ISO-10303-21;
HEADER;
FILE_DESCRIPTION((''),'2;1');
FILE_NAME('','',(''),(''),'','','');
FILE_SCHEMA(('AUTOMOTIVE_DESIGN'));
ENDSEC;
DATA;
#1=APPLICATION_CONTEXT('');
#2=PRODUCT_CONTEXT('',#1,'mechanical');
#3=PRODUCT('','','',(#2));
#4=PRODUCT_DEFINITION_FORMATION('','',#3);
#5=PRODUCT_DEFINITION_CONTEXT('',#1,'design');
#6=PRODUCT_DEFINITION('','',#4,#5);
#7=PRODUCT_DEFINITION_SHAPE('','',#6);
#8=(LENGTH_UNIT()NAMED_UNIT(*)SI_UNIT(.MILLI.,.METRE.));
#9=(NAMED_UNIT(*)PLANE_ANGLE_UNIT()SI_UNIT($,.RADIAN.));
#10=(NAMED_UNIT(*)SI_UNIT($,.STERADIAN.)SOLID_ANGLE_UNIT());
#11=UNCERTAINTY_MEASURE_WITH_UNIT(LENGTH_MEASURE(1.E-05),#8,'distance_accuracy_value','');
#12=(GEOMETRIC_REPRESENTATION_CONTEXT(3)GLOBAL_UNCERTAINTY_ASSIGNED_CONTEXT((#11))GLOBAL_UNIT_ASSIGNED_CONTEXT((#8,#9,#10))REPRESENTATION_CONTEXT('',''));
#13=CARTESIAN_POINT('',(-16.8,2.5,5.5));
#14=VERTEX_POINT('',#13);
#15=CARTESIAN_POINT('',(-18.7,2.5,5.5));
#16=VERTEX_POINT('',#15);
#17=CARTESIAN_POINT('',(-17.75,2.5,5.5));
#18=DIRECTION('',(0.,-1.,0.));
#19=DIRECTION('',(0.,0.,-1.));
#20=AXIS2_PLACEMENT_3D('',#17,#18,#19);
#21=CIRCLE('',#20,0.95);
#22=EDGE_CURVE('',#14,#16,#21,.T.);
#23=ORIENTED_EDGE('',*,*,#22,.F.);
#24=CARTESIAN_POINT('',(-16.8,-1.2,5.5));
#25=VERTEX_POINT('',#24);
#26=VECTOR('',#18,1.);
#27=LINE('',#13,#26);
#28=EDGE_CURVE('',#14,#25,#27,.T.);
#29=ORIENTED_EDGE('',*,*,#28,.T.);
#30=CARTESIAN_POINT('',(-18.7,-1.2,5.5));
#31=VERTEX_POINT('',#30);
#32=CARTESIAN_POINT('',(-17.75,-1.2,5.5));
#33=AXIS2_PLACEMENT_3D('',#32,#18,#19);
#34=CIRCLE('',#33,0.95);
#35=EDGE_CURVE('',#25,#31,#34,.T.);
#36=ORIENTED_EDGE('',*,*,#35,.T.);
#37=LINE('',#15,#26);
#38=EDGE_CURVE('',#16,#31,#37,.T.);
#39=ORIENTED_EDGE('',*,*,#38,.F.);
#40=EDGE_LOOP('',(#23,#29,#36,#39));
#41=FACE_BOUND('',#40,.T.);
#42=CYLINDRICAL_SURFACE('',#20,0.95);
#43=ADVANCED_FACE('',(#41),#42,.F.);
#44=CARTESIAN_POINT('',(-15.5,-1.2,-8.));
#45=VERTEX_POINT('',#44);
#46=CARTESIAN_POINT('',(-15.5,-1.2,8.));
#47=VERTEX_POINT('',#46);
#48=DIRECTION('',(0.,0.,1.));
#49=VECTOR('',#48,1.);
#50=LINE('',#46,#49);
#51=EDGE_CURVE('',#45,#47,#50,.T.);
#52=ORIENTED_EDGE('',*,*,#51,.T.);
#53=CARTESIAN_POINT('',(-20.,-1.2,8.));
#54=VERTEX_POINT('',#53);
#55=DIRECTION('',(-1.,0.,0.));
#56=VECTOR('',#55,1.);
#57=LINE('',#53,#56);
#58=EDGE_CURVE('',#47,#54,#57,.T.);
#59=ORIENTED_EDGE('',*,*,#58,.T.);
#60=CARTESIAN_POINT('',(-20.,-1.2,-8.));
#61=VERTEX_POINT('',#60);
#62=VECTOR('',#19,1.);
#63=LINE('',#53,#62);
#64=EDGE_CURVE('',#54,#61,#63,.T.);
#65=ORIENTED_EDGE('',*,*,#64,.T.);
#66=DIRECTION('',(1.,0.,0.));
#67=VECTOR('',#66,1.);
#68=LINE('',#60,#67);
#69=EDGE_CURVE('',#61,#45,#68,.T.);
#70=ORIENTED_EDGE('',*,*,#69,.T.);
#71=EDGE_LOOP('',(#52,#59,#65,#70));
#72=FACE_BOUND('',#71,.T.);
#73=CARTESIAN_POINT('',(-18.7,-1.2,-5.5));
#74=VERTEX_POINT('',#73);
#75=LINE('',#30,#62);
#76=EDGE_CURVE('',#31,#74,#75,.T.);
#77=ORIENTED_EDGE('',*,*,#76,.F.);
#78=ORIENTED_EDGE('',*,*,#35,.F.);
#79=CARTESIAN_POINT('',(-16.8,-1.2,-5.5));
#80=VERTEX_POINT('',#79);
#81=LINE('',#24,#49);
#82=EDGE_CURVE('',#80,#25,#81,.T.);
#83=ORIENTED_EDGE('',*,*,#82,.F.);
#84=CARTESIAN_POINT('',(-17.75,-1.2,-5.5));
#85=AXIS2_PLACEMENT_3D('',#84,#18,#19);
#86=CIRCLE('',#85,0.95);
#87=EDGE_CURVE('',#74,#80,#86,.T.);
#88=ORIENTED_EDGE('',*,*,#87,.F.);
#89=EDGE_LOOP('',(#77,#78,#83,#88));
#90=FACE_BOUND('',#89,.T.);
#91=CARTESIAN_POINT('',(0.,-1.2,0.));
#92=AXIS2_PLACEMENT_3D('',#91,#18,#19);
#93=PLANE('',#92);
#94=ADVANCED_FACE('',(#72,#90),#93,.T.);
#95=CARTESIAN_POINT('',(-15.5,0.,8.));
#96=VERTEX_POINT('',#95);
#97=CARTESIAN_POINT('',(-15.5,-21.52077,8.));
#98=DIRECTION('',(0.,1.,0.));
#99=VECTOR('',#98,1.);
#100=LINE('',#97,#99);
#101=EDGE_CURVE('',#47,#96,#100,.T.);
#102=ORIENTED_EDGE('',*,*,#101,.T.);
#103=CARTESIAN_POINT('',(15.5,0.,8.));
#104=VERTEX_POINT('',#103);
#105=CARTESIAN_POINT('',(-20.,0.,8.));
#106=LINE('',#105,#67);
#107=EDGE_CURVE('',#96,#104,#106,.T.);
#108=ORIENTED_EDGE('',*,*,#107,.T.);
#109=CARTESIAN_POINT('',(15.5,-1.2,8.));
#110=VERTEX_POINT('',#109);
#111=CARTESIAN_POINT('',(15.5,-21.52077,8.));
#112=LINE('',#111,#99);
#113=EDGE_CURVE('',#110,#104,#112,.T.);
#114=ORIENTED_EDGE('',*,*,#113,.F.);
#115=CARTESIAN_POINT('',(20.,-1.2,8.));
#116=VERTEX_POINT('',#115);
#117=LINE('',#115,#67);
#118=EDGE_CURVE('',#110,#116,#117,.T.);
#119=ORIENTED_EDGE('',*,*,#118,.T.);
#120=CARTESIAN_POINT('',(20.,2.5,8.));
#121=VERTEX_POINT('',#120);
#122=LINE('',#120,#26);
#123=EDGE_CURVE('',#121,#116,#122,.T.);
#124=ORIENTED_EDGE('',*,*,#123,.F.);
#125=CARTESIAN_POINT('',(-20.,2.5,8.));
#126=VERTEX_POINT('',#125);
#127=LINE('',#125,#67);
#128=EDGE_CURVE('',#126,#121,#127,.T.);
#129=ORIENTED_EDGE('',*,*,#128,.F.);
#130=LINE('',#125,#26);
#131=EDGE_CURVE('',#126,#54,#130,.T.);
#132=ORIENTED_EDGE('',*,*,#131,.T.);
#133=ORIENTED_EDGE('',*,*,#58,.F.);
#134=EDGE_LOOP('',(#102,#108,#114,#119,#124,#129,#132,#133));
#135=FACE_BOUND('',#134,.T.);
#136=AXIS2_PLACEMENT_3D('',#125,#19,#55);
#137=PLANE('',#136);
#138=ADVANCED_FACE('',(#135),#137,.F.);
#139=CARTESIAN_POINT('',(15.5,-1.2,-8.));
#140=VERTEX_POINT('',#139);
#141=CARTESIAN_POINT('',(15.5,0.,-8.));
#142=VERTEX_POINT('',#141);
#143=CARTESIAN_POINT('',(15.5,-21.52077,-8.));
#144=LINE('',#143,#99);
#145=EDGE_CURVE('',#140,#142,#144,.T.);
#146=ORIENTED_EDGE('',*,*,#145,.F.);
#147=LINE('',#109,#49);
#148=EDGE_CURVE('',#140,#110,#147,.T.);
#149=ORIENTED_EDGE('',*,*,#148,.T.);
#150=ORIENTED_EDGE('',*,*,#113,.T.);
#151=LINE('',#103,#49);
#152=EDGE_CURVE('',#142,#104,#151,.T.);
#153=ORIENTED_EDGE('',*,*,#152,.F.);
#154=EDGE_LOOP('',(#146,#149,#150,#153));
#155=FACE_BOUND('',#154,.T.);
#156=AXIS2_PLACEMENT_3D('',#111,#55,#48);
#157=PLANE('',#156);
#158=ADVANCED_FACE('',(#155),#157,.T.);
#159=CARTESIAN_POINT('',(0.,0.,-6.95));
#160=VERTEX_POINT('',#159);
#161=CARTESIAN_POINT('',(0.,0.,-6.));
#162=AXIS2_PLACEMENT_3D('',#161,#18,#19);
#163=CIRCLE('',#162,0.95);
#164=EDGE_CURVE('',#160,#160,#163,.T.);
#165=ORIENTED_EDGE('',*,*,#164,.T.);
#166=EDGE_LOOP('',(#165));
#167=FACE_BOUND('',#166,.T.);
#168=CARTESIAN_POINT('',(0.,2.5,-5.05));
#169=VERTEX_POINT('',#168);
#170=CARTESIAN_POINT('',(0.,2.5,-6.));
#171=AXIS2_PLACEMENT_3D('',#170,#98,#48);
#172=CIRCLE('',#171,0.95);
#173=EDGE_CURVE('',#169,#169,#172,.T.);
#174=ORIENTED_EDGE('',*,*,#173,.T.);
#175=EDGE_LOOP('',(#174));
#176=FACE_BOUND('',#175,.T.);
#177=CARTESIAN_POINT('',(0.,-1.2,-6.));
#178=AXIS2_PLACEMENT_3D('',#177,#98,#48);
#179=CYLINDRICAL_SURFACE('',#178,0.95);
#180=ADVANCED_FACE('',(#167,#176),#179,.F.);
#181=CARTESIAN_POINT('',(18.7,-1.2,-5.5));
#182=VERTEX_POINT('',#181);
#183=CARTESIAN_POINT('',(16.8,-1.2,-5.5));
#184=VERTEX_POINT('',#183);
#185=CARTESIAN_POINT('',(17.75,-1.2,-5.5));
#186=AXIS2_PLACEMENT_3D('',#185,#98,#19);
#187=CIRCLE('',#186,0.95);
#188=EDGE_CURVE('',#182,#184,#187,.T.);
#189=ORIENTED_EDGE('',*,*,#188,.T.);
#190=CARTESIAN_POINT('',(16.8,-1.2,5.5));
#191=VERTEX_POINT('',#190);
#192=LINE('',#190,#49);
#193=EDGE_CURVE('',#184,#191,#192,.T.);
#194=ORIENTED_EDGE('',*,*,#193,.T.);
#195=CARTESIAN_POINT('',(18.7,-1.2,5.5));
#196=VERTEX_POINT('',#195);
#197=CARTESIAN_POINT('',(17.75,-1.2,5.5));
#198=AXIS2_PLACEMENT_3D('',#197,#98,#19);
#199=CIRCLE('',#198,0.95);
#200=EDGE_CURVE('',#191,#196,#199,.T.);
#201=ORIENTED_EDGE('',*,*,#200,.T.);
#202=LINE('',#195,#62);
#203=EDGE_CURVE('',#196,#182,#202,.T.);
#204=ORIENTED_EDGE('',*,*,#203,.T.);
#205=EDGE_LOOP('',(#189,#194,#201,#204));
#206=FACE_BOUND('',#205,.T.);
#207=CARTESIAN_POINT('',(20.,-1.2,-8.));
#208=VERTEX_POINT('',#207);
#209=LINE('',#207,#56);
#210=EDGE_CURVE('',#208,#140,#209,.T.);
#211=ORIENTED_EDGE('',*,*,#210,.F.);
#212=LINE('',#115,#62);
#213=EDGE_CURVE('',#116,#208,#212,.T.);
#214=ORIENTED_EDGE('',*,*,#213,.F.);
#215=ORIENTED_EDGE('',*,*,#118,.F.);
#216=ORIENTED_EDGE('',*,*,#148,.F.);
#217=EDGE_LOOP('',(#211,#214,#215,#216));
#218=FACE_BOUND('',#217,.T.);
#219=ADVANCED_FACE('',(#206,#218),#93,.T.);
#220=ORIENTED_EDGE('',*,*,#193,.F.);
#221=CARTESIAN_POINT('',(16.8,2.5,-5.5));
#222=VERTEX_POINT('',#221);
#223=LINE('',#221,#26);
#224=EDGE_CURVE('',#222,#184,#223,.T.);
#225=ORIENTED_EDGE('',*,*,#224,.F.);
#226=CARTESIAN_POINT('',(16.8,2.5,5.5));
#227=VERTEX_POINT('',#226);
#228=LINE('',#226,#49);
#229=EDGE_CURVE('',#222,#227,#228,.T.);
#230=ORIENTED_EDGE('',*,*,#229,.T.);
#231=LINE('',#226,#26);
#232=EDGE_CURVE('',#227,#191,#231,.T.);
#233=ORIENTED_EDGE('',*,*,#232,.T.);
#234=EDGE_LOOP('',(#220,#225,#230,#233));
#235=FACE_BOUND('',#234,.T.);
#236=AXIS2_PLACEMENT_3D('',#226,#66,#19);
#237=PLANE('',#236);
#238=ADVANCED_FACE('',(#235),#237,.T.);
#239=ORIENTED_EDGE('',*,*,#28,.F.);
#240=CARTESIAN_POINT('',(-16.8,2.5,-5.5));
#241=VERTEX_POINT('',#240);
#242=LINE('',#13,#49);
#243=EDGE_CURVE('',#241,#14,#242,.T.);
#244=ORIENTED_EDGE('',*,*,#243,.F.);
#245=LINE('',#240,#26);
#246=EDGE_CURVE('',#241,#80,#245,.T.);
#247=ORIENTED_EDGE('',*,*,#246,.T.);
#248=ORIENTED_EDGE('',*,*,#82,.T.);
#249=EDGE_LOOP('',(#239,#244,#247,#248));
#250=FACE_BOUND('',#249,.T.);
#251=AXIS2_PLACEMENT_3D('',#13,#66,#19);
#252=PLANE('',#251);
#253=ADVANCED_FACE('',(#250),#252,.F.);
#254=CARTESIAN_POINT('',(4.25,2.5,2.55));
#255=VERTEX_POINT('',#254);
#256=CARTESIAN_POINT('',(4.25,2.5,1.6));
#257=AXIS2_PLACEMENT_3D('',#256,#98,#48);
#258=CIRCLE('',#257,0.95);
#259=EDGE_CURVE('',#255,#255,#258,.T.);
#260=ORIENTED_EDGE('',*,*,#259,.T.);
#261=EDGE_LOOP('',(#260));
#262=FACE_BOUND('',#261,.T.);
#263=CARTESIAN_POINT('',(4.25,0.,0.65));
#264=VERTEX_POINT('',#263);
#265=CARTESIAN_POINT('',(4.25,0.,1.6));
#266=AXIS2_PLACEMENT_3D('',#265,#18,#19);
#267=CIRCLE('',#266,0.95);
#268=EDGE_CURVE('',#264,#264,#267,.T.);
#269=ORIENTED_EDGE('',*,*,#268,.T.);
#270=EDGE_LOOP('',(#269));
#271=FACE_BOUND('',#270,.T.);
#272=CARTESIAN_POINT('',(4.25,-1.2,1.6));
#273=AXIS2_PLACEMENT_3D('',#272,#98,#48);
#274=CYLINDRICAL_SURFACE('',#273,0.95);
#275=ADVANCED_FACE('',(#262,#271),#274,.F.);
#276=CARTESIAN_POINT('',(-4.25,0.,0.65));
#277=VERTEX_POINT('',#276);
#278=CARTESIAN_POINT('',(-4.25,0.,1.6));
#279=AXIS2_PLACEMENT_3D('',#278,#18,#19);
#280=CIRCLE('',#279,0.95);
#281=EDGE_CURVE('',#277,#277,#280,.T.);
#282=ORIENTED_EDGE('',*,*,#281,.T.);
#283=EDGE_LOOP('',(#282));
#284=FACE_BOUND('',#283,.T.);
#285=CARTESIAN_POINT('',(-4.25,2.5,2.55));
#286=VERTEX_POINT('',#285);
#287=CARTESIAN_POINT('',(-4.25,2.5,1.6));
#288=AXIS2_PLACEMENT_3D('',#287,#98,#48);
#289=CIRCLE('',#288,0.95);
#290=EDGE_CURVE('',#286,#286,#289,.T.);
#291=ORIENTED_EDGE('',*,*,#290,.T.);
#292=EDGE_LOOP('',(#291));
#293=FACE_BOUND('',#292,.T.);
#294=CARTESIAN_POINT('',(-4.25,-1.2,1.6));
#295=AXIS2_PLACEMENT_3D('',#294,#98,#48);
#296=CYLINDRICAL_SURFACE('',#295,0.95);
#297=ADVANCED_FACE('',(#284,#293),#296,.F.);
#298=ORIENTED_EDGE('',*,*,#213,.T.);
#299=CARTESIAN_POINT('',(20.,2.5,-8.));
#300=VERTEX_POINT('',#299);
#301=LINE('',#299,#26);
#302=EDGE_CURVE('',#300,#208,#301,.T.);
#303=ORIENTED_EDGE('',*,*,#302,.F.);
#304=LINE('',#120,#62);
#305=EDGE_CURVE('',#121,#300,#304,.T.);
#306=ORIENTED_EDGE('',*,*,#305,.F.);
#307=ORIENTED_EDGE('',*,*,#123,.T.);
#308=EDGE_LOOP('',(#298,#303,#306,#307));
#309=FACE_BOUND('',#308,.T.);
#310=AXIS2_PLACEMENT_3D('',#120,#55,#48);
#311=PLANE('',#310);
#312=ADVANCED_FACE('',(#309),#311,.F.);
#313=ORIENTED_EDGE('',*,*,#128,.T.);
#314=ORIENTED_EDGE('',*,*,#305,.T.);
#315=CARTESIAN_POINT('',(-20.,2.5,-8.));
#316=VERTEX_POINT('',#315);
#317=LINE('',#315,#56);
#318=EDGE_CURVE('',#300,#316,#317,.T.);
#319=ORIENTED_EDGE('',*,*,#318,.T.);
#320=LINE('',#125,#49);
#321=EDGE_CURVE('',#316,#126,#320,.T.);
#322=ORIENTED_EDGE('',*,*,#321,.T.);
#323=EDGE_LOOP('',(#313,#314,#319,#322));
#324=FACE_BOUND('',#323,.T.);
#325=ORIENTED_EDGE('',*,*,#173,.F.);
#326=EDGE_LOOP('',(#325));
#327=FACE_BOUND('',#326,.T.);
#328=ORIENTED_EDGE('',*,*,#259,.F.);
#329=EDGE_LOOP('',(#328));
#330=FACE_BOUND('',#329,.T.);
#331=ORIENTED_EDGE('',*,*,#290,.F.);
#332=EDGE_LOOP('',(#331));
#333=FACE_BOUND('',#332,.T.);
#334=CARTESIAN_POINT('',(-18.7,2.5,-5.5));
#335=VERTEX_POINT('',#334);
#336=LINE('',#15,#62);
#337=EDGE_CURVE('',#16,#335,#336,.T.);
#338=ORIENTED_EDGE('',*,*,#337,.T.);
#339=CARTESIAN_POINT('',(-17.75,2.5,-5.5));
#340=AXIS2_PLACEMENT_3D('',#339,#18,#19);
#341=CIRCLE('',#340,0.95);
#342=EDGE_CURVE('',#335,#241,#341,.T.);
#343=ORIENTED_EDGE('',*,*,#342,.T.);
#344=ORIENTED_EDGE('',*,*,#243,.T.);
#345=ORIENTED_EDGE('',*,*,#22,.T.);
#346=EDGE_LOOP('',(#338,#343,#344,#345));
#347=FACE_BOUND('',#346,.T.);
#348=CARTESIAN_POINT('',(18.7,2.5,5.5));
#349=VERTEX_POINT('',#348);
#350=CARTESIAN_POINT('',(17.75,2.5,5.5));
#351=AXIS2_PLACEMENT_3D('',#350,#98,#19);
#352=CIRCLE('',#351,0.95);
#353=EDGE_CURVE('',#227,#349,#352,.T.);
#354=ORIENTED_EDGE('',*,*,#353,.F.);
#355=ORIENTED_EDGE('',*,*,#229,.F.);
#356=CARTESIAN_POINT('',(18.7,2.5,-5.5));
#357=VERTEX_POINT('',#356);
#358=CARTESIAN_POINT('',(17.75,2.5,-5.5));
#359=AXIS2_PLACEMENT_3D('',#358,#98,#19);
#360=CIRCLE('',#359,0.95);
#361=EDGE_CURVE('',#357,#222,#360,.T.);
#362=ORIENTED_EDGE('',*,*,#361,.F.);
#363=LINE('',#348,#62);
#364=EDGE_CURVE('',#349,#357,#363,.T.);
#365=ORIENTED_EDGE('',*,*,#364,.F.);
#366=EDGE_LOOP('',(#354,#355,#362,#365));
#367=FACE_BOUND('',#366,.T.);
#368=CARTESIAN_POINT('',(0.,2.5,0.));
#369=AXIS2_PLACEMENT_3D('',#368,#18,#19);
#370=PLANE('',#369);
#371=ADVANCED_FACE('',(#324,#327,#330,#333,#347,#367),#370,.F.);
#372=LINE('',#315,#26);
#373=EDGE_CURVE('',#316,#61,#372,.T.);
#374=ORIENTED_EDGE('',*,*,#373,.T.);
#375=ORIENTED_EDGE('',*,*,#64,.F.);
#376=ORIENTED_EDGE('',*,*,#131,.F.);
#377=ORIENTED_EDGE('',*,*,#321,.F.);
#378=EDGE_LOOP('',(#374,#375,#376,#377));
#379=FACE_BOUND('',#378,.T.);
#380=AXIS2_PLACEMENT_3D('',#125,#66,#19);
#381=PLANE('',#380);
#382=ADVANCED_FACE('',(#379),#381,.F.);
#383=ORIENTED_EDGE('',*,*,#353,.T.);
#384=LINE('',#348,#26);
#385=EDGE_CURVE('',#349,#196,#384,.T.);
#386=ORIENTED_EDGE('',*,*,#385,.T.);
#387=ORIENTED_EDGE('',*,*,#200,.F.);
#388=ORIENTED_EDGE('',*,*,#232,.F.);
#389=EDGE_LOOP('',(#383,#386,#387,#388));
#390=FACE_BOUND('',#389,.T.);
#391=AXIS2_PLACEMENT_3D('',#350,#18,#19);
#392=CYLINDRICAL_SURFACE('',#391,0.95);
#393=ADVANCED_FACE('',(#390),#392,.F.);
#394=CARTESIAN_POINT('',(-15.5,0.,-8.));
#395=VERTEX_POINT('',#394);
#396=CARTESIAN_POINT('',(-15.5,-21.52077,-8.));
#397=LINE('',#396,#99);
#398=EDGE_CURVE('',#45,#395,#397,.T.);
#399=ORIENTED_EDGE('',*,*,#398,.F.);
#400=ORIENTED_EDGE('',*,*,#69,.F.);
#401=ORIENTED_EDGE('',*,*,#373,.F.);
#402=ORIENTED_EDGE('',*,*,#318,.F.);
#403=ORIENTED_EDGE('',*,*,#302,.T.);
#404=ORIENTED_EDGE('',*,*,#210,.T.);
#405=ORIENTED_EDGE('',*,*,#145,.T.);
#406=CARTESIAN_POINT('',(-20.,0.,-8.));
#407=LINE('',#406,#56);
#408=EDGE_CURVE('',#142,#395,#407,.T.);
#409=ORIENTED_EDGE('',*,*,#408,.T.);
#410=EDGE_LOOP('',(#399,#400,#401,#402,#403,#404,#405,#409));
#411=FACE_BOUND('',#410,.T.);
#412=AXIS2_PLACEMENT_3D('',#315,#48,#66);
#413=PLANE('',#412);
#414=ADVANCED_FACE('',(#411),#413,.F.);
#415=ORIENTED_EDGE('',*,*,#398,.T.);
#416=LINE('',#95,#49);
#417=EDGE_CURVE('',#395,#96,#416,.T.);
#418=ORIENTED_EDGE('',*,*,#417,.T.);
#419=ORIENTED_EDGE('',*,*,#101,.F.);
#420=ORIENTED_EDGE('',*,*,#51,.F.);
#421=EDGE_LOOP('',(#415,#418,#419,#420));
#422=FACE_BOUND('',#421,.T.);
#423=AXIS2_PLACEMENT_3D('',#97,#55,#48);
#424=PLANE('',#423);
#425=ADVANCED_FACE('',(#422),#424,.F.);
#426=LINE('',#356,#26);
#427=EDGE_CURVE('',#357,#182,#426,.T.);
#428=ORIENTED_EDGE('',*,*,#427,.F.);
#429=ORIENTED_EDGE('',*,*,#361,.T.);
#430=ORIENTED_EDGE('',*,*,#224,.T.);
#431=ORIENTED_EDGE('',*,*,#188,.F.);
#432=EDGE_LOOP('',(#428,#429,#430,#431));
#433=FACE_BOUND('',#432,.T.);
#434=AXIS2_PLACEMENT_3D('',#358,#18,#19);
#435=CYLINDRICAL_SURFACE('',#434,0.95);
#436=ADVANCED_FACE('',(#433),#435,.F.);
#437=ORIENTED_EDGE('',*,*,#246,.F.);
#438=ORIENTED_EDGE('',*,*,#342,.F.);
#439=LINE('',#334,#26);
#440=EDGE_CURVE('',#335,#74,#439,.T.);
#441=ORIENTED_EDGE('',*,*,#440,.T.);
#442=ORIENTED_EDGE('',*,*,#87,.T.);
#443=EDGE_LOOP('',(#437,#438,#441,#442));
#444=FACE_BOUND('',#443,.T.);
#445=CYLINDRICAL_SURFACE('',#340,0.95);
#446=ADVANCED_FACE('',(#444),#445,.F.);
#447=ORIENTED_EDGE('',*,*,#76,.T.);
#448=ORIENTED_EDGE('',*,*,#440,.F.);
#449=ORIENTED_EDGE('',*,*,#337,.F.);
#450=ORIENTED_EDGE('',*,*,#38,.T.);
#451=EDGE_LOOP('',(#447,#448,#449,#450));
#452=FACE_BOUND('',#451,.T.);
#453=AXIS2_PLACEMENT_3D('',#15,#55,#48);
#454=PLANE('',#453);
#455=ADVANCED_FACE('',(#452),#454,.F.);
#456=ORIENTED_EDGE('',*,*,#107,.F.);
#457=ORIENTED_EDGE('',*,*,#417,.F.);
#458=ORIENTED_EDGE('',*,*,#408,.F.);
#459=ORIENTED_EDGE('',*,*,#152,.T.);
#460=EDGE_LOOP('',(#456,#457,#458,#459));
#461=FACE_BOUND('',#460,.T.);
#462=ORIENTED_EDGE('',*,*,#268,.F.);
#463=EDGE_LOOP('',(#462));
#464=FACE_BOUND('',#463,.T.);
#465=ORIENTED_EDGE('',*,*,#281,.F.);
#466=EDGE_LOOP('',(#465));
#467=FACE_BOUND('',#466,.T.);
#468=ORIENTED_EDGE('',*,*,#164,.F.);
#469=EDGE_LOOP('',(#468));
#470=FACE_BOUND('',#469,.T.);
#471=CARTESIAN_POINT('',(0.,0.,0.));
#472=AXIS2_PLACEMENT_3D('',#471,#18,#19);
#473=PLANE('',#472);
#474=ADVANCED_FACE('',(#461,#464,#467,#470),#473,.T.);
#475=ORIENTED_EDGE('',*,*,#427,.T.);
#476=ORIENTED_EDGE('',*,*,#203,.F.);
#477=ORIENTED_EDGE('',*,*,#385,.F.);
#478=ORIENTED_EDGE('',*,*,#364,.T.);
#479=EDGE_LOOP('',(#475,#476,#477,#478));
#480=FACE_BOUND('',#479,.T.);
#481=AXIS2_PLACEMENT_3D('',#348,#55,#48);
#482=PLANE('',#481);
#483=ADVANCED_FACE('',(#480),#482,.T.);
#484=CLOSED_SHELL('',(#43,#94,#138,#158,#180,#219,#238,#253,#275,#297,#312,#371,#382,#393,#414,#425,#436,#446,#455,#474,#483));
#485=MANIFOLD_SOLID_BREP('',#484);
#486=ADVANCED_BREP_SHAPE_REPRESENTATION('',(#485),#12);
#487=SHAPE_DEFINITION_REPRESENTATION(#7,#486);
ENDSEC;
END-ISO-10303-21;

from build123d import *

# Parameters (mm, degrees)
SKETCH1_W           = 40
SKETCH1_H           = 16
BOSS_EXTRUDE1_DEPTH = 2.5
SKETCH2_W           = 4.5
SKETCH2_H           = 16
BOSS_EXTRUDE2_DEPTH = 1.2
CUT_EXTRUDE1_DEPTH  = 4.7
SKETCH4_R           = 0.95
CUT_EXTRUDE2_DEPTH  = 4.7


with BuildPart() as part:
    # Sketch1 → Boss-Extrude1 (new body)
    with BuildSketch(Plane(origin=(0, 0, 0), x_dir=(1, 0, 0), z_dir=(0, 1, 0))):
        Rectangle(SKETCH1_W, SKETCH1_H)
    extrude(amount=BOSS_EXTRUDE1_DEPTH)

    # Sketch2 → Boss-Extrude2 (add)
    with BuildSketch(Plane.XZ):
        with Locations((-17.75, 0)):
            Rectangle(SKETCH2_W, SKETCH2_H)
    boss_extrude2 = extrude(amount=BOSS_EXTRUDE2_DEPTH)

    # Sketch3 → Cut-Extrude1 (cut, through all)
    with BuildSketch(Plane.XZ.offset(1.2)):
        with BuildLine():
            Line((-16.8, 5.5), (-16.8, -5.5))
            ThreePointArc((-16.8, -5.5), (-17.75, -6.45), (-18.7, -5.5))
            Line((-18.7, -5.5), (-18.7, 5.5))
            ThreePointArc((-18.7, 5.5), (-17.75, 6.45), (-16.8, 5.5))
        make_face()
    cut_extrude1 = extrude(amount=-CUT_EXTRUDE1_DEPTH, mode=Mode.SUBTRACT)

    # Mirror1: Boss-Extrude2, Cut-Extrude1 across plane
    add(boss_extrude2.mirror(Plane(origin=(0, 0, 0), x_dir=(0, 0, 1), z_dir=(1, 0, 0))))
    add(cut_extrude1.mirror(Plane(origin=(0, 0, 0), x_dir=(0, 0, 1), z_dir=(1, 0, 0))), mode=Mode.SUBTRACT)

    # Sketch4 → Cut-Extrude2 (cut, through all)
    with BuildSketch(Plane(origin=(0, 2.5, 0), x_dir=(1, 0, 0), z_dir=(0, 1, 0))):
        with Locations((4.25, -1.6)):
            Circle(SKETCH4_R)
        with Locations((-4.25, -1.6)):
            Circle(SKETCH4_R)
        with Locations((0, 6)):
            Circle(SKETCH4_R)
    extrude(amount=-CUT_EXTRUDE2_DEPTH, mode=Mode.SUBTRACT)


solid = part.part
